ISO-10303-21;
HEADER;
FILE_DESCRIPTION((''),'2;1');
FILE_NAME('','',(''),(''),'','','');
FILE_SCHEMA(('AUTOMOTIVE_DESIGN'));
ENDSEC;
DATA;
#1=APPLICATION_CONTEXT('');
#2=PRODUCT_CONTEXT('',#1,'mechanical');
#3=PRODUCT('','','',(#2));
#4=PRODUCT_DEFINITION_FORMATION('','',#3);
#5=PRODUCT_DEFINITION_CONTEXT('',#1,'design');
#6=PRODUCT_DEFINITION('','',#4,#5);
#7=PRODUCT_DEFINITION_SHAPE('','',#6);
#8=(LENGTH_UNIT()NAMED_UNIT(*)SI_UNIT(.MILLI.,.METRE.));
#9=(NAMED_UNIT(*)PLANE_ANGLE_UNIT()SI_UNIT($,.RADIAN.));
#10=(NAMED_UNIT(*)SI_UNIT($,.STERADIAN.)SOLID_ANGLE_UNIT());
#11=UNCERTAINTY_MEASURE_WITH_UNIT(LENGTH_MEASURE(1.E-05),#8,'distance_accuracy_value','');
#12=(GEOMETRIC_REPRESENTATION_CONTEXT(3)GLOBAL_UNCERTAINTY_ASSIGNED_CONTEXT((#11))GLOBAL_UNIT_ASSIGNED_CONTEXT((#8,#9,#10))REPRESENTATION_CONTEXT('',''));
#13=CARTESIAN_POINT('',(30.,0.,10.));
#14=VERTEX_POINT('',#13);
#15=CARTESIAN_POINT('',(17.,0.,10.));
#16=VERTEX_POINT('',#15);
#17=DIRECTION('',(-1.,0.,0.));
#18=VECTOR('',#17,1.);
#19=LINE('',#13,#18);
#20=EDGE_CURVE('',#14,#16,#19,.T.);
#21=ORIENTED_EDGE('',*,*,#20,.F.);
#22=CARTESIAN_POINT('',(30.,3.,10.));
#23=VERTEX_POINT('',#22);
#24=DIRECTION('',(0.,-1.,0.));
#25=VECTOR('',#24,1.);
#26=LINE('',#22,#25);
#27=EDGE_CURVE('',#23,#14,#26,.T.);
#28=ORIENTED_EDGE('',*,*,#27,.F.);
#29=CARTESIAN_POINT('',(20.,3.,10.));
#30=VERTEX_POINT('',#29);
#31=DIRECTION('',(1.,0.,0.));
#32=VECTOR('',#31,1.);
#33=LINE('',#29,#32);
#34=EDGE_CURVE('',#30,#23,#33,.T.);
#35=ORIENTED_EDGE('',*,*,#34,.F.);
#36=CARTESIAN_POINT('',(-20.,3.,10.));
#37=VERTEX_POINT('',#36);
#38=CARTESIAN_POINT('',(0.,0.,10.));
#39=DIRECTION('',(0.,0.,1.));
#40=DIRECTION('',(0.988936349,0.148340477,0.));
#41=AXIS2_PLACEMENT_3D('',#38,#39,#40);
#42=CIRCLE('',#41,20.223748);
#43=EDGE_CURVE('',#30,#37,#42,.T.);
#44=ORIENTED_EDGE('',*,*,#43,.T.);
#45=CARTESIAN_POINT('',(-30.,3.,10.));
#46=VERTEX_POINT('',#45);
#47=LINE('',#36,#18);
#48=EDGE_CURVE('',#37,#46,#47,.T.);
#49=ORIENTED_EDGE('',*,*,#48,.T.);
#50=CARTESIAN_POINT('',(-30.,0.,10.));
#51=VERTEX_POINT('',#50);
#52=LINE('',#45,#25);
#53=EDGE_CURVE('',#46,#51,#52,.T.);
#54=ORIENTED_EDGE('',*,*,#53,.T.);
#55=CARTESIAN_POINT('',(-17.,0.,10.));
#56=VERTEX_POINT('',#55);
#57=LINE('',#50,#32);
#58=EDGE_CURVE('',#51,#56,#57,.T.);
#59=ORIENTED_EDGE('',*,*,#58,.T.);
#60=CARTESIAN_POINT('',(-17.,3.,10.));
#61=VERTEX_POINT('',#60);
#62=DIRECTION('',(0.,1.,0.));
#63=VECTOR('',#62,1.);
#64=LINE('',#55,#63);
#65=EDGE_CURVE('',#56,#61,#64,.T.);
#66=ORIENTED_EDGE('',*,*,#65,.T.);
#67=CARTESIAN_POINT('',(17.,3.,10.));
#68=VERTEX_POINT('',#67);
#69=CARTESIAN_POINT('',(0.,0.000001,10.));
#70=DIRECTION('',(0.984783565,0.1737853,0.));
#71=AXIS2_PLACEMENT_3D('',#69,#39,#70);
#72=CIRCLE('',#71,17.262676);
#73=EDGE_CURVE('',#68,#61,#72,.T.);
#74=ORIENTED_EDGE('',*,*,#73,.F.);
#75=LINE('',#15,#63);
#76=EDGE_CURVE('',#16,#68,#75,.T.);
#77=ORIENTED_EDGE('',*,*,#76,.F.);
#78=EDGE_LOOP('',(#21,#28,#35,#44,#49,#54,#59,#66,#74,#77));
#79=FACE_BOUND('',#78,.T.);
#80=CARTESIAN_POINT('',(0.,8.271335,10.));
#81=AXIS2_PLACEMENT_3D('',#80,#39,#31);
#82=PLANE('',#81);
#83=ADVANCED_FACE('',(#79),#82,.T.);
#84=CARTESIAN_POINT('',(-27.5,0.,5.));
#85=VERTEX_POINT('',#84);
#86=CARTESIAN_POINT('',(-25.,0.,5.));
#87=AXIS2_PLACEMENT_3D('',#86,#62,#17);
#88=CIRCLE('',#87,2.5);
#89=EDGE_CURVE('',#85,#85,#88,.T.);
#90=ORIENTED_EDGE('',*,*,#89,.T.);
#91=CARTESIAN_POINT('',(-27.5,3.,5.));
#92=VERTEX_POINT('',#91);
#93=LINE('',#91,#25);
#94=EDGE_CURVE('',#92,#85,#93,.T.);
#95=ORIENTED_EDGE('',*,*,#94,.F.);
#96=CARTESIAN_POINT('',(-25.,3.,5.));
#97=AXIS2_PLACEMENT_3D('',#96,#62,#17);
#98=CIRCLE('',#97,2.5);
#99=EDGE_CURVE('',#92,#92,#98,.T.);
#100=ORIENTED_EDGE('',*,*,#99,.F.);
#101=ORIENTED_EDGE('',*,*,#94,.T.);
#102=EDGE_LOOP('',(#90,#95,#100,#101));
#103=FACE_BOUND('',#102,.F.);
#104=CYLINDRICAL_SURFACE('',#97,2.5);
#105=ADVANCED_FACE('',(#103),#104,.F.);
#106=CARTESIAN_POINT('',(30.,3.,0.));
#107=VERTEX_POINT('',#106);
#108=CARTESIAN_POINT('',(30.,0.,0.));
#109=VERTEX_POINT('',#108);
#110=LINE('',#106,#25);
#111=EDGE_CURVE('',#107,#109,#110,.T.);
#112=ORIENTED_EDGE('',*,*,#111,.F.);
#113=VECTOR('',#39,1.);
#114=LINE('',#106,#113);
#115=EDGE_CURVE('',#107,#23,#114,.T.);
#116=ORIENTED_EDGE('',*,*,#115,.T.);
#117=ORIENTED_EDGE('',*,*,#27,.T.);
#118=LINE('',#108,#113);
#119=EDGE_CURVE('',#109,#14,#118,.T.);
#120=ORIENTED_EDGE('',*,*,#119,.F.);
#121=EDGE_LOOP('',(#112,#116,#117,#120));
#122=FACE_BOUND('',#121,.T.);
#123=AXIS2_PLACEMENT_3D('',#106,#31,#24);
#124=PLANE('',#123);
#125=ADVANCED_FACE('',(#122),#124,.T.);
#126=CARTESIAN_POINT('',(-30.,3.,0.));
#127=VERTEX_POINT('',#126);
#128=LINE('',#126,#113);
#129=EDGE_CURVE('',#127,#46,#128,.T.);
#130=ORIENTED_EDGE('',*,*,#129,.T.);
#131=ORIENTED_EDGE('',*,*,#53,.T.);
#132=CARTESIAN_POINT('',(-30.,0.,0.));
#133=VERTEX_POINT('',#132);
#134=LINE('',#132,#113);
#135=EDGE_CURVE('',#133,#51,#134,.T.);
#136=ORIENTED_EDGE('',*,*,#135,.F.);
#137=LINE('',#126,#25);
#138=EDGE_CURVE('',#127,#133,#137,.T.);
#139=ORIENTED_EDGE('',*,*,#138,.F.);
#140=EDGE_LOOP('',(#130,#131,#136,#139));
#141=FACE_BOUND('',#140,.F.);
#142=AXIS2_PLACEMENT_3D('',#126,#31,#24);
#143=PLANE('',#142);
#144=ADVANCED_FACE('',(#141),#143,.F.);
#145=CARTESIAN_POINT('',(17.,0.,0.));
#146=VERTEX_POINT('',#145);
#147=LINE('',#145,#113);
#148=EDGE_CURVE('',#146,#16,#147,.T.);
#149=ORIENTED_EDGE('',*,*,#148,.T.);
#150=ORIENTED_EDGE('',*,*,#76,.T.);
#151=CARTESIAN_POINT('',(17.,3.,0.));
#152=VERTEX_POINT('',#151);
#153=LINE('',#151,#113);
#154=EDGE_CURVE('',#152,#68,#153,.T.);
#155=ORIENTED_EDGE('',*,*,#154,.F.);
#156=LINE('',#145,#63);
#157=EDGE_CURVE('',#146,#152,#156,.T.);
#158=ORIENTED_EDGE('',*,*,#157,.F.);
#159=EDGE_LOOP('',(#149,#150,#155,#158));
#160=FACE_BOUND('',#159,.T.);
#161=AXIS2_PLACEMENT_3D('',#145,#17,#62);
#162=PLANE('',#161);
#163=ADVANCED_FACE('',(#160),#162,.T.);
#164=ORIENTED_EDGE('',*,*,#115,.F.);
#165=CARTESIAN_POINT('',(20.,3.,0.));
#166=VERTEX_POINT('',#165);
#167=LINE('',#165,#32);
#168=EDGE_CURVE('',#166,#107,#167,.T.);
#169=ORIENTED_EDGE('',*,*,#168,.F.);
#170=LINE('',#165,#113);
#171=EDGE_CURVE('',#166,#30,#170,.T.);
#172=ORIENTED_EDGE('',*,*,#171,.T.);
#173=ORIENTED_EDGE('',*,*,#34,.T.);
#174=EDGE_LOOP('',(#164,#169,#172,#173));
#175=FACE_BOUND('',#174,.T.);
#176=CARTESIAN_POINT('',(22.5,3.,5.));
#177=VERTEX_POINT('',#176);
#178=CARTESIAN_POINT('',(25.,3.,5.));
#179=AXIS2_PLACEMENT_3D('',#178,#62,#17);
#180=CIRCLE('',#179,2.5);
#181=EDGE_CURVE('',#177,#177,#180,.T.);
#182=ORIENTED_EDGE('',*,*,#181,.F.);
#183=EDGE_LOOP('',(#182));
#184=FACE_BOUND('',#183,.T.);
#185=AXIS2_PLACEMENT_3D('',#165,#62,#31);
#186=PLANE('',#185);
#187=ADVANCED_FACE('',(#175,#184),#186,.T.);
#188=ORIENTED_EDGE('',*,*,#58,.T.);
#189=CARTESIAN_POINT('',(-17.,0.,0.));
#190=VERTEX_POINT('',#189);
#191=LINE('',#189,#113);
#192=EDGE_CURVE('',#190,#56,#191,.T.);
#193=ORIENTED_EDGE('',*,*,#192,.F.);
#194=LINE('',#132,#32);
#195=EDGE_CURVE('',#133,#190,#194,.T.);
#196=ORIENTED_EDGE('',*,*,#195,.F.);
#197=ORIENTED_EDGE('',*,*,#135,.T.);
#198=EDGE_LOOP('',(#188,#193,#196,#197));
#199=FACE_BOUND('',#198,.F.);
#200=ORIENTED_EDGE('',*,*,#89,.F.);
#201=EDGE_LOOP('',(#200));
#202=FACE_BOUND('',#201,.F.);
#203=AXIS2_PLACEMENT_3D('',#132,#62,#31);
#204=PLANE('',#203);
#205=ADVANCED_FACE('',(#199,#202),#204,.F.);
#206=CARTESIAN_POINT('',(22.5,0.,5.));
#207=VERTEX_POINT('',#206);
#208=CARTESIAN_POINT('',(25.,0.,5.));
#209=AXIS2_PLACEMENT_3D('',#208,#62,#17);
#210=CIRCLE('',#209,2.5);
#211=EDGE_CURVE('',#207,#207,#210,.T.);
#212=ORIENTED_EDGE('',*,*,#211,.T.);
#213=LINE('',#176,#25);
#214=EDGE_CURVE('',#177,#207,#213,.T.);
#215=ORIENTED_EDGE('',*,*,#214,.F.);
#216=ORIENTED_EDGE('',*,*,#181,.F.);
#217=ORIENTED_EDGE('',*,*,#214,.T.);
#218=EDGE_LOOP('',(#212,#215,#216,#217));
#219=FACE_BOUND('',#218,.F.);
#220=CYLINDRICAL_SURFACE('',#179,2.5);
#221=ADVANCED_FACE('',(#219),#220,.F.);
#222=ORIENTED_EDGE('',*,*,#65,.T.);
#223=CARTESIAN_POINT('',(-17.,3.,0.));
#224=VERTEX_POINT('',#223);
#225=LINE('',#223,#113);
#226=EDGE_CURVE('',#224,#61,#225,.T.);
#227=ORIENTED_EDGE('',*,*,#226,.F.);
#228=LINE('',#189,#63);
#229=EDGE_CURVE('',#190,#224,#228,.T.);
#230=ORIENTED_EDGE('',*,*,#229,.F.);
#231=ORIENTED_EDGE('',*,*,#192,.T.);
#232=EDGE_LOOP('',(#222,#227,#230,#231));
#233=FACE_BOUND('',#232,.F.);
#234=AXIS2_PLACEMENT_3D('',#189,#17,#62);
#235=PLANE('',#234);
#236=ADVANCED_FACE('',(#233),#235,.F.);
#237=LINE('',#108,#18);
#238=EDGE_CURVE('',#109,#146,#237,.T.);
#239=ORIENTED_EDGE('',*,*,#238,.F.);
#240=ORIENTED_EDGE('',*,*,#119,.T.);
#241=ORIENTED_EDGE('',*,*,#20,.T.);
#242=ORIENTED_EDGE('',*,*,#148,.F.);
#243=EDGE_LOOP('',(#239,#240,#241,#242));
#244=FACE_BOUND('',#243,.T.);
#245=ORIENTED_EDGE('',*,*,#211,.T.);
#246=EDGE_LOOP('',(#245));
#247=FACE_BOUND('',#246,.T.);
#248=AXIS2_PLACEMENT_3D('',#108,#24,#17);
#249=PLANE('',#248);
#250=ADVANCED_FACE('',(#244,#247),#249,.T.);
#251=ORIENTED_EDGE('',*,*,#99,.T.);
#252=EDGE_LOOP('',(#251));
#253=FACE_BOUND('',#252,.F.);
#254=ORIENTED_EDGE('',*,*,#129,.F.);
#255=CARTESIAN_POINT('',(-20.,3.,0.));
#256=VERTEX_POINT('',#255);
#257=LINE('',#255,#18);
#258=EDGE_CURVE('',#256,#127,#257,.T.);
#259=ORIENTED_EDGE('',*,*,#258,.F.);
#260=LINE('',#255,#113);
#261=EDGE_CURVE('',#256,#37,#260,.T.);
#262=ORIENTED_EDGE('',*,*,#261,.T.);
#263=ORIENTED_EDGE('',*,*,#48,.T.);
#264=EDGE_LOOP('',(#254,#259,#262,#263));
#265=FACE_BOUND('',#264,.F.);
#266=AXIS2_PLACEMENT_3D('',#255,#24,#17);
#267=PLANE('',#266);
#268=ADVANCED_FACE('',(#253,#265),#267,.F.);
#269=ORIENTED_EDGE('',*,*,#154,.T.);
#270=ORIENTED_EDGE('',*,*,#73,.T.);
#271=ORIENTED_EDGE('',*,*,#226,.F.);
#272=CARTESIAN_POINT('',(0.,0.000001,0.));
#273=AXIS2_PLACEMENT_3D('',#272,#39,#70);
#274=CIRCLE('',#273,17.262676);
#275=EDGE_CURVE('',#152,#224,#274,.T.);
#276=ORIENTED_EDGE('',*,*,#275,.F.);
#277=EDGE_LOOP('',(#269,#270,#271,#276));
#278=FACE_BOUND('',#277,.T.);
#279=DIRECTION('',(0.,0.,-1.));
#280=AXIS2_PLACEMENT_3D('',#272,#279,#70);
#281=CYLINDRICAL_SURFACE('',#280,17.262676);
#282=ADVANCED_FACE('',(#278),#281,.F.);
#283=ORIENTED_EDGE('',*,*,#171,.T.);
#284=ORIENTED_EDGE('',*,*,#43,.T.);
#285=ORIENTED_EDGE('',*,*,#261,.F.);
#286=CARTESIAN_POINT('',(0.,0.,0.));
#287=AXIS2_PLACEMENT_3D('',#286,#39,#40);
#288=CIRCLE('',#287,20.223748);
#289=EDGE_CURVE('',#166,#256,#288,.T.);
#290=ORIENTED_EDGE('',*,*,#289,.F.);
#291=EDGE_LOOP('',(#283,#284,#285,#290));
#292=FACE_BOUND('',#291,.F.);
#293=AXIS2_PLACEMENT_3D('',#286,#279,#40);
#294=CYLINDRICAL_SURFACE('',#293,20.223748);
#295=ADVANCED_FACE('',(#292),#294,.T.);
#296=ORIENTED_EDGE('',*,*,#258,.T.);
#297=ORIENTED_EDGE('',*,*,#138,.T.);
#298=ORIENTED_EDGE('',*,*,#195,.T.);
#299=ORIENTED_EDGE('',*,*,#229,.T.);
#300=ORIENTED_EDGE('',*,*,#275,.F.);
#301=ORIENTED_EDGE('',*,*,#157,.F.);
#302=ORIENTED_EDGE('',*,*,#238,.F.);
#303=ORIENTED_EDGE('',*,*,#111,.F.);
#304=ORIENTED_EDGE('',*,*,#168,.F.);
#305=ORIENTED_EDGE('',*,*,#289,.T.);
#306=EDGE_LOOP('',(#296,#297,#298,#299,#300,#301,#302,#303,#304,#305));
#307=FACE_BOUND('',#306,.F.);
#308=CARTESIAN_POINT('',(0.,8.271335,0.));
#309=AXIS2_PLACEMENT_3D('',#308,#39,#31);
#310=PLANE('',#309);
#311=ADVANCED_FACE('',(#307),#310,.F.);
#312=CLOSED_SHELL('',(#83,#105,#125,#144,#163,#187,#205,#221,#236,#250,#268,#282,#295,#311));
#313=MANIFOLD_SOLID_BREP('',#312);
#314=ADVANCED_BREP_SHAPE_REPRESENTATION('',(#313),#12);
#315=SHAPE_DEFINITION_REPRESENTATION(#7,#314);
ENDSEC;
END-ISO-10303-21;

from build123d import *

# Parameters (mm, degrees)
PAD_DEPTH    = 10
SKETCH001_R  = 2.5
POCKET_DEPTH = 3.001


with BuildPart() as part:
    # Sketch → Pad (new body)
    with BuildSketch(Plane.XY):
        with BuildLine():
            ThreePointArc((20, 3), (0, 20.223748), (-20, 3))
            Line((-20, 3), (-30, 3))
            Line((-30, 3), (-30, 0))
            Line((-30, 0), (-17, 0))
            Line((-17, 0), (-17, 3))
            ThreePointArc((17, 3), (0, 17.262677), (-17, 3))
            Line((17, 0), (17, 3))
            Line((30, 0), (17, 0))
            Line((30, 3), (30, 0))
            Line((20, 3), (30, 3))
        make_face()
    extrude(amount=PAD_DEPTH)

    # Sketch001 (on Face2 of Pad) → Pocket (cut, through all)
    with BuildSketch(Plane(origin=(0, 3, 0), x_dir=(-1, 0, 0), z_dir=(0, 1, 0))):
        with Locations((-25, 5)):
            Circle(SKETCH001_R)
        with Locations((25, 5)):
            Circle(SKETCH001_R)
    extrude(amount=-POCKET_DEPTH, mode=Mode.SUBTRACT)


solid = part.part
